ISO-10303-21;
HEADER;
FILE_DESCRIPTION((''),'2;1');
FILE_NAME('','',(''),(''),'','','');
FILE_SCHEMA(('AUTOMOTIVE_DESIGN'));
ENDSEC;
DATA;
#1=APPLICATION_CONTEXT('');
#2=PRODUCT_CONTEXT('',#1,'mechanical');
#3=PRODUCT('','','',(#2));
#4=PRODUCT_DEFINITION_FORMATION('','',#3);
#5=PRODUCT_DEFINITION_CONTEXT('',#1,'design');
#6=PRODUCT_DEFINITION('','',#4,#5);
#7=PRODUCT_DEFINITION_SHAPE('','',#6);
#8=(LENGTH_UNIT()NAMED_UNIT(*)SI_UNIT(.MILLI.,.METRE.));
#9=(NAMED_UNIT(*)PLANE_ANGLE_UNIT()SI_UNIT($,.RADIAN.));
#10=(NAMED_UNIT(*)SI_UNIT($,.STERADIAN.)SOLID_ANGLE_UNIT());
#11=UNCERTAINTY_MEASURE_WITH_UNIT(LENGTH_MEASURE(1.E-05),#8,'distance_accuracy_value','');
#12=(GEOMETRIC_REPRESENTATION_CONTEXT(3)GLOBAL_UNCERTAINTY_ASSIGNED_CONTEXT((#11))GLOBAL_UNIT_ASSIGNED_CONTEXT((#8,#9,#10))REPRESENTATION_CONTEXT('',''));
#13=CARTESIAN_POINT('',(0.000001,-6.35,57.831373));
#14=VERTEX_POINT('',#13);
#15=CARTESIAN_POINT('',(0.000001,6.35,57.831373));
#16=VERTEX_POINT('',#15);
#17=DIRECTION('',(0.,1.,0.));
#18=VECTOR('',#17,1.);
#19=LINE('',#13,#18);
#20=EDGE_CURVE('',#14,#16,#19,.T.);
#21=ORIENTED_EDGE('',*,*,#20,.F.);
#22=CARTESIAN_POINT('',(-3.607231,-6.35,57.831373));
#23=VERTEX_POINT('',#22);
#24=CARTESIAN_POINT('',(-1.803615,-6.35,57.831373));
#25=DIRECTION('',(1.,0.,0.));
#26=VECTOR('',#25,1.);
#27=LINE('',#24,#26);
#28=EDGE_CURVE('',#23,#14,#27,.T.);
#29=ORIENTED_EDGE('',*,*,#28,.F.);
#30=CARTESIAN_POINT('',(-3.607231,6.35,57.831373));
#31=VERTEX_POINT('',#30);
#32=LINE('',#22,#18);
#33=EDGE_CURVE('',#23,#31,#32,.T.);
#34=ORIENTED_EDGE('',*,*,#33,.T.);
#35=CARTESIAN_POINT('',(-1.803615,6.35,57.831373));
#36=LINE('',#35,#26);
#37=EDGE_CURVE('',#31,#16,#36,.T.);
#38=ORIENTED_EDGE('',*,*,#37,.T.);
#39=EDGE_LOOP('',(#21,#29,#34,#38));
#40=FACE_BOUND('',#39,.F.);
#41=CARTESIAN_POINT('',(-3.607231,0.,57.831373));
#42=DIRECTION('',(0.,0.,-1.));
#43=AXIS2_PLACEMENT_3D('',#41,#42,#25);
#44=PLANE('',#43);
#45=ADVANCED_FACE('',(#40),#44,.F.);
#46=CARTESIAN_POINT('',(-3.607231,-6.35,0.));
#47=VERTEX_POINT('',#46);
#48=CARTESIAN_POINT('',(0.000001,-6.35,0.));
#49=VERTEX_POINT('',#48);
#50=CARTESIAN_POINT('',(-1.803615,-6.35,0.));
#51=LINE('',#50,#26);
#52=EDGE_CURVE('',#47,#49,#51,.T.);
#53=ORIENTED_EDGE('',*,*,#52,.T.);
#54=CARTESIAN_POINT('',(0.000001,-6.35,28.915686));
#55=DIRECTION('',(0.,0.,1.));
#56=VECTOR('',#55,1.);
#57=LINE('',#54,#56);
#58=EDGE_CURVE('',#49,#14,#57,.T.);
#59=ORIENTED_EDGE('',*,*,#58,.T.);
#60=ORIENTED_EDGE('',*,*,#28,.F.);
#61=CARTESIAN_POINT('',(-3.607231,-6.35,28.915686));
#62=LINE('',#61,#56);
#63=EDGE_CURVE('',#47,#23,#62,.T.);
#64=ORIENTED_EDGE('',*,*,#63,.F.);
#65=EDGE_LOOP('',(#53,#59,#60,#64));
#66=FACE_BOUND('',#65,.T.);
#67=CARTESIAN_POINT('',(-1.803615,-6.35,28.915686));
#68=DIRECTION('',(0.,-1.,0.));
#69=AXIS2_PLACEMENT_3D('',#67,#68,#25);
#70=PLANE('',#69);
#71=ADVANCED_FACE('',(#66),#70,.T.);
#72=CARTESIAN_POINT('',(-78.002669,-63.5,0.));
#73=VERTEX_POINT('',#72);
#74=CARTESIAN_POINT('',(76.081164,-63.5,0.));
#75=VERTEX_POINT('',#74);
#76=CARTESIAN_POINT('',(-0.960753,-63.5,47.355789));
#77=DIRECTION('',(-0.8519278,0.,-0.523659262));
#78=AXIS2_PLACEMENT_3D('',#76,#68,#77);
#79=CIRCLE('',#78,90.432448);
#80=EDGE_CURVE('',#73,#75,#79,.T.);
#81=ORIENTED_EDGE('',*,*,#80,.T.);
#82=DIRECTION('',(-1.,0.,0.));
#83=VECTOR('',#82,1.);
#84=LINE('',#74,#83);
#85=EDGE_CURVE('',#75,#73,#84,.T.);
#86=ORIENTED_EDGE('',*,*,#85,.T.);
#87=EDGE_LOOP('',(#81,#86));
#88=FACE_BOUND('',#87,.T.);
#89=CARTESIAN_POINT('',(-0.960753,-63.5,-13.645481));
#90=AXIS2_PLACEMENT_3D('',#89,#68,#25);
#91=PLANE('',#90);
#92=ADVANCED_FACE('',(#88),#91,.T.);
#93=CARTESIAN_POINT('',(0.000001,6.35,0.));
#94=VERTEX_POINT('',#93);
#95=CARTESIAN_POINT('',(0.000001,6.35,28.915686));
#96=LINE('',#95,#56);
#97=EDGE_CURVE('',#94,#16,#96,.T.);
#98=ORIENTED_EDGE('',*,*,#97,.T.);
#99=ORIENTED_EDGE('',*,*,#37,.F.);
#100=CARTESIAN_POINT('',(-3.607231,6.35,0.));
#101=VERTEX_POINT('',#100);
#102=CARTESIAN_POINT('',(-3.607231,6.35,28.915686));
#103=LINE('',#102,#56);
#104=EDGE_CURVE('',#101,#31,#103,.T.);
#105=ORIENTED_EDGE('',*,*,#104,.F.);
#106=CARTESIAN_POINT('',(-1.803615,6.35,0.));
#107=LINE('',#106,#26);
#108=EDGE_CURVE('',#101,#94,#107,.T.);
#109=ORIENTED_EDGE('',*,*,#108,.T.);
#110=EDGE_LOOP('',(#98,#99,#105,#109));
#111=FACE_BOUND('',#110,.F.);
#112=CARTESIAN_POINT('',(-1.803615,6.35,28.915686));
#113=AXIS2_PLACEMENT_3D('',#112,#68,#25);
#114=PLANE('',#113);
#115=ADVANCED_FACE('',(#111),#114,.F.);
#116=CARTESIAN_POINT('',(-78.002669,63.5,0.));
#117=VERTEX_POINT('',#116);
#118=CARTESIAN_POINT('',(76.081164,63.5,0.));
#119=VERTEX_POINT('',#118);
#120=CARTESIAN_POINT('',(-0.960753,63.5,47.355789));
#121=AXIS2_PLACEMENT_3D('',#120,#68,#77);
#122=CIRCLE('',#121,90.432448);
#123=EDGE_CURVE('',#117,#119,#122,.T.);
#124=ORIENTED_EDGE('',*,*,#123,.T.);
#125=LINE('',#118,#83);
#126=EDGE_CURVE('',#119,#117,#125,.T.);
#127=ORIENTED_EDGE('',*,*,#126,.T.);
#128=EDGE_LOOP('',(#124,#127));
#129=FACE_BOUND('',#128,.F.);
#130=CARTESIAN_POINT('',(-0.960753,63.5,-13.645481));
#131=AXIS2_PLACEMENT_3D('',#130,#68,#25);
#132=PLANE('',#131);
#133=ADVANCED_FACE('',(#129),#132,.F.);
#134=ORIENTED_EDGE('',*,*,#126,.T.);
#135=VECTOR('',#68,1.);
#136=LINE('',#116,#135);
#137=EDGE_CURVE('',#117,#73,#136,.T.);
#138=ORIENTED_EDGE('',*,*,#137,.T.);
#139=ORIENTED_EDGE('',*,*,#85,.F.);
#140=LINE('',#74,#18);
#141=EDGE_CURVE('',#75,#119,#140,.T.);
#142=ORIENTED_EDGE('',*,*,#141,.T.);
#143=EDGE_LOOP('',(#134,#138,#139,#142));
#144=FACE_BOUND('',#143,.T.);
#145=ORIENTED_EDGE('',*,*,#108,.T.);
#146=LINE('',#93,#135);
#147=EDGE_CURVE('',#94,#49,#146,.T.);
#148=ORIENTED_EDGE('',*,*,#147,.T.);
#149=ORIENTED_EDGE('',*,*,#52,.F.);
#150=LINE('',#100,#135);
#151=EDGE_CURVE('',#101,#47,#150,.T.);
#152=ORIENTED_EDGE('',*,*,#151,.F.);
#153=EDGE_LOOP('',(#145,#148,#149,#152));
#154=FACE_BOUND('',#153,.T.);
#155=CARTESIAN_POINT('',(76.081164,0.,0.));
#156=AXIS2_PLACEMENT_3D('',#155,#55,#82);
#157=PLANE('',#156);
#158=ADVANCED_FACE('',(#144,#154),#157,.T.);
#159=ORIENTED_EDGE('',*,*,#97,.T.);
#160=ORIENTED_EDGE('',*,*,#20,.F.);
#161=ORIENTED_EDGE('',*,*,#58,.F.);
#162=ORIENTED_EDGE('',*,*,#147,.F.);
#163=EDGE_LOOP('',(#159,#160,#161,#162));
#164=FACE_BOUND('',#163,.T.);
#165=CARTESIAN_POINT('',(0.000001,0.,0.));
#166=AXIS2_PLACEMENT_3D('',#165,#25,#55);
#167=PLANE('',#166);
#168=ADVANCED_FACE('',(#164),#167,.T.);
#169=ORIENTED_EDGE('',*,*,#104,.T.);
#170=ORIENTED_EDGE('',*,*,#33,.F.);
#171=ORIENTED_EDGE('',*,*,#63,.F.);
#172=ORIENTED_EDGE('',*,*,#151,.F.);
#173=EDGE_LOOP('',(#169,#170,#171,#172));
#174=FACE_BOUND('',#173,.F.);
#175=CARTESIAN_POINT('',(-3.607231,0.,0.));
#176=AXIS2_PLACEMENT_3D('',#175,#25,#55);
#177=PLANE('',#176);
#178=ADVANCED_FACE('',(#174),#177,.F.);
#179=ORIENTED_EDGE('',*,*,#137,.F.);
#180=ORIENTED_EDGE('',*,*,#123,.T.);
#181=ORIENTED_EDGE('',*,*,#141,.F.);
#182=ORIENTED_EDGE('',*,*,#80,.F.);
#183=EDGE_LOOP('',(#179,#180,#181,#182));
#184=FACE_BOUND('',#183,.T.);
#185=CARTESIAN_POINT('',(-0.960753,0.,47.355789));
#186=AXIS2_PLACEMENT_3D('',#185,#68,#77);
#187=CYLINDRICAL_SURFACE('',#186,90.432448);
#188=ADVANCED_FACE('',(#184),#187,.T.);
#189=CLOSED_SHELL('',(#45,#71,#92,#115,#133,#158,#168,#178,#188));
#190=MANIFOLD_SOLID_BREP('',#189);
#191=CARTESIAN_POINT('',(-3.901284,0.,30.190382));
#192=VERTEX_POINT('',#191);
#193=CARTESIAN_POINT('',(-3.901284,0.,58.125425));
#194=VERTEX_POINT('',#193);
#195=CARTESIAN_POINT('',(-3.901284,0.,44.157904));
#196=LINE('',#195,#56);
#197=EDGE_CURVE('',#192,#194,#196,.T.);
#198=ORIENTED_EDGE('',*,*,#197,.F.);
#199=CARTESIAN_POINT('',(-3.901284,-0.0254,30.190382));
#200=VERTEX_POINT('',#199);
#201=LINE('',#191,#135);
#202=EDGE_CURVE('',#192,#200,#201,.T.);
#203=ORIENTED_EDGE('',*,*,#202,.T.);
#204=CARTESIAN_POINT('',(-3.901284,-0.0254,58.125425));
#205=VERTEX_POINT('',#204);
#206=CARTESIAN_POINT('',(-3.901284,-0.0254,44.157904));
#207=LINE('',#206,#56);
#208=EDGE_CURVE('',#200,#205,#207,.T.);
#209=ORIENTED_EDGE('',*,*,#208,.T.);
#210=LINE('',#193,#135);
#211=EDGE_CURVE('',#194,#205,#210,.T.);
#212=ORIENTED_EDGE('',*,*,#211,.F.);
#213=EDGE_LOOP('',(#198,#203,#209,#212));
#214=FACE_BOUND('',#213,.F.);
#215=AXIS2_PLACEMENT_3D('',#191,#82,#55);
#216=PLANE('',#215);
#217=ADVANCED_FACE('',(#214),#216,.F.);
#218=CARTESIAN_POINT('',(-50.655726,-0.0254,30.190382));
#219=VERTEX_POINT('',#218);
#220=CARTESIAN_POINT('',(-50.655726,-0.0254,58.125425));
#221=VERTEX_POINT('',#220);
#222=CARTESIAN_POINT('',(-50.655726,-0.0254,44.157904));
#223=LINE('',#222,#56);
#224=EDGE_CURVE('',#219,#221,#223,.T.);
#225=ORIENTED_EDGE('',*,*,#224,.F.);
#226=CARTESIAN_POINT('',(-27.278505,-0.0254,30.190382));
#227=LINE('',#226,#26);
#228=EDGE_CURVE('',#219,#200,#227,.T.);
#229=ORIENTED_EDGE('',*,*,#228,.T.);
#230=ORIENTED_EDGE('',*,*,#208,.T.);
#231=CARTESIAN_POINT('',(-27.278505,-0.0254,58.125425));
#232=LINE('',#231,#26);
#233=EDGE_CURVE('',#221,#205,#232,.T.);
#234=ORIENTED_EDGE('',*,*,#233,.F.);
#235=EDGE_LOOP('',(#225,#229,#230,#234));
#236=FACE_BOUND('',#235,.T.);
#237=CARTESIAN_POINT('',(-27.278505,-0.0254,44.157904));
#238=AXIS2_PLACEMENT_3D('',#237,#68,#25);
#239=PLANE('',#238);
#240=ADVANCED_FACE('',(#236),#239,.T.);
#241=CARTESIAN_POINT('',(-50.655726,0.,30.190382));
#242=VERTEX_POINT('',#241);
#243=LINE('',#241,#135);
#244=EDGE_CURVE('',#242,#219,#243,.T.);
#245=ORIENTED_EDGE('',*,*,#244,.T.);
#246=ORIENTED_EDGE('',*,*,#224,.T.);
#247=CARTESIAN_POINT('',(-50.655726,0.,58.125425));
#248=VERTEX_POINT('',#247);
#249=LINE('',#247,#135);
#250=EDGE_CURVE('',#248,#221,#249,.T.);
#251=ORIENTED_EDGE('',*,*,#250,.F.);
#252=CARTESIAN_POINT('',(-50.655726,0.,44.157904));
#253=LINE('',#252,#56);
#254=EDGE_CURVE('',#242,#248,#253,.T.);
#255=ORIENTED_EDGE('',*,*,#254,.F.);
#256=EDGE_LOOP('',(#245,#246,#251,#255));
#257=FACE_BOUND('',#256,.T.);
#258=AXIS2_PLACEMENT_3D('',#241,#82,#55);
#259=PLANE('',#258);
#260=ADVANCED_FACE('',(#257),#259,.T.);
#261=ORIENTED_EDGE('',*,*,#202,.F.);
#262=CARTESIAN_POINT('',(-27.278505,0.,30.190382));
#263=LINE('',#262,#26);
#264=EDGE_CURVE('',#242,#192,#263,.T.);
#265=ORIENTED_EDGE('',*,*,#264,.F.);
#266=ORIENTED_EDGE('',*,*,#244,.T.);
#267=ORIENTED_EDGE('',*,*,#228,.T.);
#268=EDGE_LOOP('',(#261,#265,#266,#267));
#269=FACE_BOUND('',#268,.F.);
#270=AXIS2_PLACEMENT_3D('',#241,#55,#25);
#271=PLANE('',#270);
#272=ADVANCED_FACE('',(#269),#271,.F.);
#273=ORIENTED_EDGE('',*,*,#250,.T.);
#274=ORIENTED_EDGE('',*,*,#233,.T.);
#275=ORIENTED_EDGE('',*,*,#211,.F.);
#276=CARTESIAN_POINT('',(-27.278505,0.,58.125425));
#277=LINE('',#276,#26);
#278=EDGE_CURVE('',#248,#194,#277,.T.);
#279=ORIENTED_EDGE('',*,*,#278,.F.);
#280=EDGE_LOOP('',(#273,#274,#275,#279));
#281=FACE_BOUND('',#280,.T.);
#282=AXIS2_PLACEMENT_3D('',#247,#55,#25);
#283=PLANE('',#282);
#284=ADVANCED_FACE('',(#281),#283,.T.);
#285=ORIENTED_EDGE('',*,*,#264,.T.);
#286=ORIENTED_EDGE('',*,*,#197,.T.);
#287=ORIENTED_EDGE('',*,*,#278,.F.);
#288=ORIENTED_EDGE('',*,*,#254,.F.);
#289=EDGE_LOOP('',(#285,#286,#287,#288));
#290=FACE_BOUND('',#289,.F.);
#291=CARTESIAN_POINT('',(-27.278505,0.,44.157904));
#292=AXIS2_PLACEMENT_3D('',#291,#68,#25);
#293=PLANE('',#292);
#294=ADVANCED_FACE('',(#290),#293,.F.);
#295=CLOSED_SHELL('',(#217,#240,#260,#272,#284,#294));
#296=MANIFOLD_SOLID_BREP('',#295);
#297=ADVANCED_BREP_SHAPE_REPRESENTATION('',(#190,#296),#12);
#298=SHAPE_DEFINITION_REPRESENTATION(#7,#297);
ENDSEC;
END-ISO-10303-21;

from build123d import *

# Parameters (mm, degrees)
F3_DEPTH = 63.5
F2_W     = 46.754442
F2_H     = 27.935043
F4_DEPTH = 0.0254
F1_W     = 3.607231
F1_H     = 57.831373
F5_DEPTH = 6.35


with BuildPart() as f3:
    # F0 (on Front) → F3 (new body, symmetric)
    with BuildSketch(Plane.XZ):
        with BuildLine():
            Line((76.081164, 0), (-78.002669, 0))
            ThreePointArc((-78.002669, 0), (-0.960752, -43.076659), (76.081164, 0))
        make_face()
    extrude(amount=F3_DEPTH, both=True)

    # F1 (on Front) → F5 (join, symmetric)
    with BuildSketch(Plane.XZ):
        with Locations((-1.803615, 28.915686)):
            Rectangle(F1_W, F1_H)
    extrude(amount=F5_DEPTH, both=True)


with BuildPart() as f4:
    # F2 (on Front) → F4 (new body)
    with BuildSketch(Plane.XZ):
        with Locations((-27.278505, 44.157904)):
            Rectangle(F2_W, F2_H)
    extrude(amount=F4_DEPTH)


solid = Compound([f3.part, f4.part])
